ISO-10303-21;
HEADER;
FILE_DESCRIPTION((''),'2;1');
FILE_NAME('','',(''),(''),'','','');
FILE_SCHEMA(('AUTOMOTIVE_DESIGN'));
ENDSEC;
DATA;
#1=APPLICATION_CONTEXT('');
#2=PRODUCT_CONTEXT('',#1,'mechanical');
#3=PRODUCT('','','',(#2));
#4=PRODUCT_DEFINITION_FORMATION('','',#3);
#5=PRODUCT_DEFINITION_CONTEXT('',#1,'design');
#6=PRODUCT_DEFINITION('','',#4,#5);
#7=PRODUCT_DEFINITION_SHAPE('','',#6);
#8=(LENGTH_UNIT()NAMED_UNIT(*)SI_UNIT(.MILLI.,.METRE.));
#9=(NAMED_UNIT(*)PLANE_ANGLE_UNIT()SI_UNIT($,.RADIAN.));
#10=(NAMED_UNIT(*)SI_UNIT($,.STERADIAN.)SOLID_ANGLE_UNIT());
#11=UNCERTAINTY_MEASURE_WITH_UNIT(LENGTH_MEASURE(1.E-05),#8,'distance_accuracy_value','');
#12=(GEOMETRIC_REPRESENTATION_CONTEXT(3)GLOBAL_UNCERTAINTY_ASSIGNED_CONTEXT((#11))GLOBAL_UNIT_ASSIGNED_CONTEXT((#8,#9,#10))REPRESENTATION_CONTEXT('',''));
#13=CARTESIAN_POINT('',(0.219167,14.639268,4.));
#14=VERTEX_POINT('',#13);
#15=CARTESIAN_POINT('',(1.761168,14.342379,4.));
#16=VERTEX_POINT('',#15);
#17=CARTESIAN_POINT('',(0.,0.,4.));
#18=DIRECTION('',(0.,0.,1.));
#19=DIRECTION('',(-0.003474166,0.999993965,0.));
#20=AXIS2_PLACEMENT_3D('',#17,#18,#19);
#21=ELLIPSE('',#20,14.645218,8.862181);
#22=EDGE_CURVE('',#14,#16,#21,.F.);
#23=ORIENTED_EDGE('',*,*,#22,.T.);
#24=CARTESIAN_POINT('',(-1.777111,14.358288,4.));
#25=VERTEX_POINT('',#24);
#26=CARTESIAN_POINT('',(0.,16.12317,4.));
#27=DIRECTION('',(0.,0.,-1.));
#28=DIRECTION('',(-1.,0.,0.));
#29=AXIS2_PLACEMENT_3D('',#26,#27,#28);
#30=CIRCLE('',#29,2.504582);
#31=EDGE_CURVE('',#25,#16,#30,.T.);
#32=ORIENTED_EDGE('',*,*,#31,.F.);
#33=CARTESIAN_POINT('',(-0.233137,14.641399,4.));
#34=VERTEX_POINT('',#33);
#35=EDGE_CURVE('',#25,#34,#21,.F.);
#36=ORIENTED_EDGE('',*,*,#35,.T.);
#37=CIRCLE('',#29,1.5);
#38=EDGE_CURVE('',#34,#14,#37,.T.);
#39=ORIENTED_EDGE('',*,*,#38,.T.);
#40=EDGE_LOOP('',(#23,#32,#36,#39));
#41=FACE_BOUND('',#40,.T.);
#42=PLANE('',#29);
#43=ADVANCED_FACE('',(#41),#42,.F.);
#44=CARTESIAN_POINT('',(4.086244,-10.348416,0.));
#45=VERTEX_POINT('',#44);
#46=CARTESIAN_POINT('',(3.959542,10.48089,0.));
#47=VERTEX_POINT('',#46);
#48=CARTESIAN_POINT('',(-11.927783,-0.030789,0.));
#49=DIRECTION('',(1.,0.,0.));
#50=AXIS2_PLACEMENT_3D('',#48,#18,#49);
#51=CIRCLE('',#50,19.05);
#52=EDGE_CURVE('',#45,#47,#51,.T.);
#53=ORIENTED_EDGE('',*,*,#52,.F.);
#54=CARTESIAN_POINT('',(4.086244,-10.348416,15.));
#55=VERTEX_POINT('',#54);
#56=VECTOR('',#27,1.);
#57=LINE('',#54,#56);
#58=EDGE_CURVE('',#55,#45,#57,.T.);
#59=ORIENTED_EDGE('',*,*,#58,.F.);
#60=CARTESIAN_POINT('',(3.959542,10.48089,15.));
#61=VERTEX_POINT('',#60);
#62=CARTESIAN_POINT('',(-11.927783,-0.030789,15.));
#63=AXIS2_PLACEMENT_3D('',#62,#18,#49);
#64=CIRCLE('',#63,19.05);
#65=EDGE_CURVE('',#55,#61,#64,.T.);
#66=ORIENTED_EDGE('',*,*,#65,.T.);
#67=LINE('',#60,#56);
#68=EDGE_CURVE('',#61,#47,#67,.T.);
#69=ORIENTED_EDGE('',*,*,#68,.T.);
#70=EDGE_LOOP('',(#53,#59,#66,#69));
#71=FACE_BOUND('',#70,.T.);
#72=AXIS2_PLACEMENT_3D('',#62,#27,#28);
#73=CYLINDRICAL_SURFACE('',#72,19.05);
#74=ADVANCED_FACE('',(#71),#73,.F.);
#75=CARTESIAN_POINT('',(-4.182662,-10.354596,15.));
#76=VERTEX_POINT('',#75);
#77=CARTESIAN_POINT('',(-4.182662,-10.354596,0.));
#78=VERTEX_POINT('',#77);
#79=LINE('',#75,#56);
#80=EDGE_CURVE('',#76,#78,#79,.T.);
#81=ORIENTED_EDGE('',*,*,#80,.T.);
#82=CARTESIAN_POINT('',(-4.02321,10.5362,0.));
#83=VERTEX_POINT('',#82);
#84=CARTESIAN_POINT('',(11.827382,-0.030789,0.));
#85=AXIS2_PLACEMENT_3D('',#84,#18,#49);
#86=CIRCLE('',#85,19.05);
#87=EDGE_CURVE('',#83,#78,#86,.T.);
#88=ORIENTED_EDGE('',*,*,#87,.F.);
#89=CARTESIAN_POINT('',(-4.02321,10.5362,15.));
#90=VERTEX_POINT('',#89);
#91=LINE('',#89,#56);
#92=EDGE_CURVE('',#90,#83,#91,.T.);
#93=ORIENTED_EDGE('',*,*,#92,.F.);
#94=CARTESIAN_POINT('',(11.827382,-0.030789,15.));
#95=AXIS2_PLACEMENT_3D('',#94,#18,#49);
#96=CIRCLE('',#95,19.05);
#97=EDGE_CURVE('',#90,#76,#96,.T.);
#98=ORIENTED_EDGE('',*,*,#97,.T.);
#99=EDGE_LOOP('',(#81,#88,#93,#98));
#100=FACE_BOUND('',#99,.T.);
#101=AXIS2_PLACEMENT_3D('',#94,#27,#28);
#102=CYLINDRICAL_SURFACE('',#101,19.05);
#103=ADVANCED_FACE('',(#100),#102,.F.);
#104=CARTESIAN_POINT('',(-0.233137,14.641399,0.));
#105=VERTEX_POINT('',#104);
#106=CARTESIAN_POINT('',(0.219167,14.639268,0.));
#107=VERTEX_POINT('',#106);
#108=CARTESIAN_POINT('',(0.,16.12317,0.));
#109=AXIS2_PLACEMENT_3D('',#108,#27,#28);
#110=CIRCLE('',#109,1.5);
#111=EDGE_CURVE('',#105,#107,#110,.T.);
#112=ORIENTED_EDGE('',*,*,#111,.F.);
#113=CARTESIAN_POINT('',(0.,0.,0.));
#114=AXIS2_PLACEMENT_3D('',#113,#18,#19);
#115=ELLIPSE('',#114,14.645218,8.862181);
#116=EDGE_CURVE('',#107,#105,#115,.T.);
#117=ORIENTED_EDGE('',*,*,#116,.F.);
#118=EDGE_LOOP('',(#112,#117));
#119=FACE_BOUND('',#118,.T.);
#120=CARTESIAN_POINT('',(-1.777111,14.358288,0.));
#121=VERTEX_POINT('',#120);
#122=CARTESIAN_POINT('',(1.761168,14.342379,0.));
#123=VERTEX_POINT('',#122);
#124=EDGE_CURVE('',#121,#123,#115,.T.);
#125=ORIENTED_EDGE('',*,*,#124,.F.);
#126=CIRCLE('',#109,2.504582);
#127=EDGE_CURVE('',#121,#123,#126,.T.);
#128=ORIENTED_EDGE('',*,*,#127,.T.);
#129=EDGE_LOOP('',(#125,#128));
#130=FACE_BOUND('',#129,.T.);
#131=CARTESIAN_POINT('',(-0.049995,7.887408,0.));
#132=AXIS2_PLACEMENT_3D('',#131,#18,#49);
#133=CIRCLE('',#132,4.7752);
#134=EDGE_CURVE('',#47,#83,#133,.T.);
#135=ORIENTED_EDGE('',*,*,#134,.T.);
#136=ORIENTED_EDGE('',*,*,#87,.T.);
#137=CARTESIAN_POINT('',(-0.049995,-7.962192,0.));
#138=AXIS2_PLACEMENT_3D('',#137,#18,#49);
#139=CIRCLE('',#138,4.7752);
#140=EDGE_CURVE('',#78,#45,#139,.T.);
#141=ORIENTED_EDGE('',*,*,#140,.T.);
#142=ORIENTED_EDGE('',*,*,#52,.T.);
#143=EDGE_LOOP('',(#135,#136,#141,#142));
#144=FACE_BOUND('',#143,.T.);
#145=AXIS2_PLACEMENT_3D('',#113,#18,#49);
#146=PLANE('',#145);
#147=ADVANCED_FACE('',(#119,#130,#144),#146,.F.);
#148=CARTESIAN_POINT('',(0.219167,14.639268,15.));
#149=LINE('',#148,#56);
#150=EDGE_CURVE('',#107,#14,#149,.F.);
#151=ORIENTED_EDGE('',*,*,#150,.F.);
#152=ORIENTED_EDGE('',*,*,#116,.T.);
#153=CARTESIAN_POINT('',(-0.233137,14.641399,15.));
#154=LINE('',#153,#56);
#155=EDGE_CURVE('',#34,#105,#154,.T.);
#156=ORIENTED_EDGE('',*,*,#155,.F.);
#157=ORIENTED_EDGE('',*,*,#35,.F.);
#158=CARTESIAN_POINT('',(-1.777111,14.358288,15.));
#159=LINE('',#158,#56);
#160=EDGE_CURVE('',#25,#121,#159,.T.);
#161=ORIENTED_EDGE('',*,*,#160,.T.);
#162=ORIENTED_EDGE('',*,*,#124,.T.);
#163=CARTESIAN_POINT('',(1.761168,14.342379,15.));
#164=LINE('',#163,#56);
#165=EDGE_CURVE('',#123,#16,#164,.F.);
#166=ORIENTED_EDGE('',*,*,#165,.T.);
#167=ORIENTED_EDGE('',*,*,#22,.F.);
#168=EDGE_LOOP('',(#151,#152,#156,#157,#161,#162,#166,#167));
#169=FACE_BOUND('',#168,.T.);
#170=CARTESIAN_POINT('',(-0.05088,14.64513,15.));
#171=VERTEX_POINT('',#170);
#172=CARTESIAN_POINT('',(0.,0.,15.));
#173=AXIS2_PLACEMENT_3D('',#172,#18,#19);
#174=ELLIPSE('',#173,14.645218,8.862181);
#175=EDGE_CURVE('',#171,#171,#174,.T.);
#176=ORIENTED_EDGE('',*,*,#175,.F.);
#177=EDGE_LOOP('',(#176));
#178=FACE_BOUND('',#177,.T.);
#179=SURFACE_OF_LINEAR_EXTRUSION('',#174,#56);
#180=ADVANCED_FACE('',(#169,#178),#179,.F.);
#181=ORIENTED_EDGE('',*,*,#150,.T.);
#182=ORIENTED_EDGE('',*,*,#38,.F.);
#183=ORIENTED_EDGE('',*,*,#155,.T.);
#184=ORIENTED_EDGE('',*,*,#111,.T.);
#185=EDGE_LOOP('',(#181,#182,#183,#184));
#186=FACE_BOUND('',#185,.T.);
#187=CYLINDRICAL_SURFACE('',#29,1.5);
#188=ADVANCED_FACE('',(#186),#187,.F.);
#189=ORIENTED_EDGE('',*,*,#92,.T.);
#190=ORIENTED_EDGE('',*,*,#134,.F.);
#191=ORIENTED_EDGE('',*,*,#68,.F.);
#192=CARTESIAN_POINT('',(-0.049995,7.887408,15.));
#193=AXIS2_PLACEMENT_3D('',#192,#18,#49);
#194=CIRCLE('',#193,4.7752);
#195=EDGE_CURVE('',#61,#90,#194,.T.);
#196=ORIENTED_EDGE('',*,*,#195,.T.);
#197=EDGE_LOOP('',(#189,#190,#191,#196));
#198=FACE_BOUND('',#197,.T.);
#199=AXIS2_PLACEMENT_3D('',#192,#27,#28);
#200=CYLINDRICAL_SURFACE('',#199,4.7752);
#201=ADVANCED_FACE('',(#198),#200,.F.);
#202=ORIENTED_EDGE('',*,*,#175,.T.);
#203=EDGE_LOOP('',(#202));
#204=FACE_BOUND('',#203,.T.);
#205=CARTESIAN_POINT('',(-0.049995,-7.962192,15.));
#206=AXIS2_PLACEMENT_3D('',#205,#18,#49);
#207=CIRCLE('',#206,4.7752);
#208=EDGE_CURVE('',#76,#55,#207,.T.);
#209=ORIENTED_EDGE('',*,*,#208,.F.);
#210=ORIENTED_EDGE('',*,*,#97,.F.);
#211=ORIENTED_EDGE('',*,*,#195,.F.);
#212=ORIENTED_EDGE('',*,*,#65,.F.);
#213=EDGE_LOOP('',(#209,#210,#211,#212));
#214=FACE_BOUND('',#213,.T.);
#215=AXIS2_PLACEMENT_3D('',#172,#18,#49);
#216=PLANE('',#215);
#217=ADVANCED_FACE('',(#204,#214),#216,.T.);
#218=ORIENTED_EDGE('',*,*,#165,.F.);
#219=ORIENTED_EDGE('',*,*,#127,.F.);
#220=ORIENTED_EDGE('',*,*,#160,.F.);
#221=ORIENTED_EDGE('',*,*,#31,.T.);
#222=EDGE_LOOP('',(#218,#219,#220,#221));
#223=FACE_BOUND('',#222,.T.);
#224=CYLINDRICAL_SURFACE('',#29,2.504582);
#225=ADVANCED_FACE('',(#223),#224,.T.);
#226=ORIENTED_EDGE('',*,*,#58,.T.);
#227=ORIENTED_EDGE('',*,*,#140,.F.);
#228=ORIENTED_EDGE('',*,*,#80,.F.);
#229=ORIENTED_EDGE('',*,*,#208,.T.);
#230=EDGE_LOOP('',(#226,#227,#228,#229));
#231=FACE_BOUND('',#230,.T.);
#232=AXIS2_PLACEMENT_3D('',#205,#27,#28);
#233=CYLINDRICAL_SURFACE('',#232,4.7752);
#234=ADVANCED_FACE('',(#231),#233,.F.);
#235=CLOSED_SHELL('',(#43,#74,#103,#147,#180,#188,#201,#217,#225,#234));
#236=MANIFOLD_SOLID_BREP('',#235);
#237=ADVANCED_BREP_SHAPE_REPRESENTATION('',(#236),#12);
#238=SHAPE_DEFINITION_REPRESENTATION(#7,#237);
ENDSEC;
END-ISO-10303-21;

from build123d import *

# Parameters (mm, degrees)
ESQUISSE1_RX       = 14.645218004
ESQUISSE1_RY       = 8.862181001
BOSS_EXTRU_1_DEPTH = 15
ESQUISSE2_R        = 2.504582132
ESQUISSE2_R_2      = 1.5
BOSS_EXTRU_2_DEPTH = 4


with BuildPart() as part:
    # Esquisse1 → Boss.-Extru.1 (new body)
    with BuildSketch(Plane.XY):
        with Locations(Location((0, 0), (0, 0, 90.199055458))):
            Ellipse(ESQUISSE1_RX, ESQUISSE1_RY)
        with BuildLine():
            ThreePointArc((3.959542455, 10.480889746), (-0.016909511, 12.662493409), (-4.023209588, 10.536199809))
            ThreePointArc((-4.023209588, 10.536199809), (-7.222063109, 0.114609256), (-4.182661935, -10.354595777))
            ThreePointArc((-4.182661935, -10.354595777), (-0.046425778, -12.737390641), (4.086244093, -10.348415831))
            ThreePointArc((4.086244093, -10.348415831), (7.121864374, 0.085087548), (3.959542455, 10.480889746))
        make_face(mode=Mode.SUBTRACT)
    extrude(amount=BOSS_EXTRU_1_DEPTH)

    # Esquisse2 → Boss.-Extru.2 (add)
    with BuildSketch(Plane(origin=(0, 0, 0), x_dir=(-1, 0, 0), z_dir=(0, 0, -1))):
        with Locations((0, 16.123170266)):
            Circle(ESQUISSE2_R)
        with Locations((0, 16.123170266)):
            Circle(ESQUISSE2_R_2, mode=Mode.SUBTRACT)
    extrude(amount=-BOSS_EXTRU_2_DEPTH)


solid = part.part
